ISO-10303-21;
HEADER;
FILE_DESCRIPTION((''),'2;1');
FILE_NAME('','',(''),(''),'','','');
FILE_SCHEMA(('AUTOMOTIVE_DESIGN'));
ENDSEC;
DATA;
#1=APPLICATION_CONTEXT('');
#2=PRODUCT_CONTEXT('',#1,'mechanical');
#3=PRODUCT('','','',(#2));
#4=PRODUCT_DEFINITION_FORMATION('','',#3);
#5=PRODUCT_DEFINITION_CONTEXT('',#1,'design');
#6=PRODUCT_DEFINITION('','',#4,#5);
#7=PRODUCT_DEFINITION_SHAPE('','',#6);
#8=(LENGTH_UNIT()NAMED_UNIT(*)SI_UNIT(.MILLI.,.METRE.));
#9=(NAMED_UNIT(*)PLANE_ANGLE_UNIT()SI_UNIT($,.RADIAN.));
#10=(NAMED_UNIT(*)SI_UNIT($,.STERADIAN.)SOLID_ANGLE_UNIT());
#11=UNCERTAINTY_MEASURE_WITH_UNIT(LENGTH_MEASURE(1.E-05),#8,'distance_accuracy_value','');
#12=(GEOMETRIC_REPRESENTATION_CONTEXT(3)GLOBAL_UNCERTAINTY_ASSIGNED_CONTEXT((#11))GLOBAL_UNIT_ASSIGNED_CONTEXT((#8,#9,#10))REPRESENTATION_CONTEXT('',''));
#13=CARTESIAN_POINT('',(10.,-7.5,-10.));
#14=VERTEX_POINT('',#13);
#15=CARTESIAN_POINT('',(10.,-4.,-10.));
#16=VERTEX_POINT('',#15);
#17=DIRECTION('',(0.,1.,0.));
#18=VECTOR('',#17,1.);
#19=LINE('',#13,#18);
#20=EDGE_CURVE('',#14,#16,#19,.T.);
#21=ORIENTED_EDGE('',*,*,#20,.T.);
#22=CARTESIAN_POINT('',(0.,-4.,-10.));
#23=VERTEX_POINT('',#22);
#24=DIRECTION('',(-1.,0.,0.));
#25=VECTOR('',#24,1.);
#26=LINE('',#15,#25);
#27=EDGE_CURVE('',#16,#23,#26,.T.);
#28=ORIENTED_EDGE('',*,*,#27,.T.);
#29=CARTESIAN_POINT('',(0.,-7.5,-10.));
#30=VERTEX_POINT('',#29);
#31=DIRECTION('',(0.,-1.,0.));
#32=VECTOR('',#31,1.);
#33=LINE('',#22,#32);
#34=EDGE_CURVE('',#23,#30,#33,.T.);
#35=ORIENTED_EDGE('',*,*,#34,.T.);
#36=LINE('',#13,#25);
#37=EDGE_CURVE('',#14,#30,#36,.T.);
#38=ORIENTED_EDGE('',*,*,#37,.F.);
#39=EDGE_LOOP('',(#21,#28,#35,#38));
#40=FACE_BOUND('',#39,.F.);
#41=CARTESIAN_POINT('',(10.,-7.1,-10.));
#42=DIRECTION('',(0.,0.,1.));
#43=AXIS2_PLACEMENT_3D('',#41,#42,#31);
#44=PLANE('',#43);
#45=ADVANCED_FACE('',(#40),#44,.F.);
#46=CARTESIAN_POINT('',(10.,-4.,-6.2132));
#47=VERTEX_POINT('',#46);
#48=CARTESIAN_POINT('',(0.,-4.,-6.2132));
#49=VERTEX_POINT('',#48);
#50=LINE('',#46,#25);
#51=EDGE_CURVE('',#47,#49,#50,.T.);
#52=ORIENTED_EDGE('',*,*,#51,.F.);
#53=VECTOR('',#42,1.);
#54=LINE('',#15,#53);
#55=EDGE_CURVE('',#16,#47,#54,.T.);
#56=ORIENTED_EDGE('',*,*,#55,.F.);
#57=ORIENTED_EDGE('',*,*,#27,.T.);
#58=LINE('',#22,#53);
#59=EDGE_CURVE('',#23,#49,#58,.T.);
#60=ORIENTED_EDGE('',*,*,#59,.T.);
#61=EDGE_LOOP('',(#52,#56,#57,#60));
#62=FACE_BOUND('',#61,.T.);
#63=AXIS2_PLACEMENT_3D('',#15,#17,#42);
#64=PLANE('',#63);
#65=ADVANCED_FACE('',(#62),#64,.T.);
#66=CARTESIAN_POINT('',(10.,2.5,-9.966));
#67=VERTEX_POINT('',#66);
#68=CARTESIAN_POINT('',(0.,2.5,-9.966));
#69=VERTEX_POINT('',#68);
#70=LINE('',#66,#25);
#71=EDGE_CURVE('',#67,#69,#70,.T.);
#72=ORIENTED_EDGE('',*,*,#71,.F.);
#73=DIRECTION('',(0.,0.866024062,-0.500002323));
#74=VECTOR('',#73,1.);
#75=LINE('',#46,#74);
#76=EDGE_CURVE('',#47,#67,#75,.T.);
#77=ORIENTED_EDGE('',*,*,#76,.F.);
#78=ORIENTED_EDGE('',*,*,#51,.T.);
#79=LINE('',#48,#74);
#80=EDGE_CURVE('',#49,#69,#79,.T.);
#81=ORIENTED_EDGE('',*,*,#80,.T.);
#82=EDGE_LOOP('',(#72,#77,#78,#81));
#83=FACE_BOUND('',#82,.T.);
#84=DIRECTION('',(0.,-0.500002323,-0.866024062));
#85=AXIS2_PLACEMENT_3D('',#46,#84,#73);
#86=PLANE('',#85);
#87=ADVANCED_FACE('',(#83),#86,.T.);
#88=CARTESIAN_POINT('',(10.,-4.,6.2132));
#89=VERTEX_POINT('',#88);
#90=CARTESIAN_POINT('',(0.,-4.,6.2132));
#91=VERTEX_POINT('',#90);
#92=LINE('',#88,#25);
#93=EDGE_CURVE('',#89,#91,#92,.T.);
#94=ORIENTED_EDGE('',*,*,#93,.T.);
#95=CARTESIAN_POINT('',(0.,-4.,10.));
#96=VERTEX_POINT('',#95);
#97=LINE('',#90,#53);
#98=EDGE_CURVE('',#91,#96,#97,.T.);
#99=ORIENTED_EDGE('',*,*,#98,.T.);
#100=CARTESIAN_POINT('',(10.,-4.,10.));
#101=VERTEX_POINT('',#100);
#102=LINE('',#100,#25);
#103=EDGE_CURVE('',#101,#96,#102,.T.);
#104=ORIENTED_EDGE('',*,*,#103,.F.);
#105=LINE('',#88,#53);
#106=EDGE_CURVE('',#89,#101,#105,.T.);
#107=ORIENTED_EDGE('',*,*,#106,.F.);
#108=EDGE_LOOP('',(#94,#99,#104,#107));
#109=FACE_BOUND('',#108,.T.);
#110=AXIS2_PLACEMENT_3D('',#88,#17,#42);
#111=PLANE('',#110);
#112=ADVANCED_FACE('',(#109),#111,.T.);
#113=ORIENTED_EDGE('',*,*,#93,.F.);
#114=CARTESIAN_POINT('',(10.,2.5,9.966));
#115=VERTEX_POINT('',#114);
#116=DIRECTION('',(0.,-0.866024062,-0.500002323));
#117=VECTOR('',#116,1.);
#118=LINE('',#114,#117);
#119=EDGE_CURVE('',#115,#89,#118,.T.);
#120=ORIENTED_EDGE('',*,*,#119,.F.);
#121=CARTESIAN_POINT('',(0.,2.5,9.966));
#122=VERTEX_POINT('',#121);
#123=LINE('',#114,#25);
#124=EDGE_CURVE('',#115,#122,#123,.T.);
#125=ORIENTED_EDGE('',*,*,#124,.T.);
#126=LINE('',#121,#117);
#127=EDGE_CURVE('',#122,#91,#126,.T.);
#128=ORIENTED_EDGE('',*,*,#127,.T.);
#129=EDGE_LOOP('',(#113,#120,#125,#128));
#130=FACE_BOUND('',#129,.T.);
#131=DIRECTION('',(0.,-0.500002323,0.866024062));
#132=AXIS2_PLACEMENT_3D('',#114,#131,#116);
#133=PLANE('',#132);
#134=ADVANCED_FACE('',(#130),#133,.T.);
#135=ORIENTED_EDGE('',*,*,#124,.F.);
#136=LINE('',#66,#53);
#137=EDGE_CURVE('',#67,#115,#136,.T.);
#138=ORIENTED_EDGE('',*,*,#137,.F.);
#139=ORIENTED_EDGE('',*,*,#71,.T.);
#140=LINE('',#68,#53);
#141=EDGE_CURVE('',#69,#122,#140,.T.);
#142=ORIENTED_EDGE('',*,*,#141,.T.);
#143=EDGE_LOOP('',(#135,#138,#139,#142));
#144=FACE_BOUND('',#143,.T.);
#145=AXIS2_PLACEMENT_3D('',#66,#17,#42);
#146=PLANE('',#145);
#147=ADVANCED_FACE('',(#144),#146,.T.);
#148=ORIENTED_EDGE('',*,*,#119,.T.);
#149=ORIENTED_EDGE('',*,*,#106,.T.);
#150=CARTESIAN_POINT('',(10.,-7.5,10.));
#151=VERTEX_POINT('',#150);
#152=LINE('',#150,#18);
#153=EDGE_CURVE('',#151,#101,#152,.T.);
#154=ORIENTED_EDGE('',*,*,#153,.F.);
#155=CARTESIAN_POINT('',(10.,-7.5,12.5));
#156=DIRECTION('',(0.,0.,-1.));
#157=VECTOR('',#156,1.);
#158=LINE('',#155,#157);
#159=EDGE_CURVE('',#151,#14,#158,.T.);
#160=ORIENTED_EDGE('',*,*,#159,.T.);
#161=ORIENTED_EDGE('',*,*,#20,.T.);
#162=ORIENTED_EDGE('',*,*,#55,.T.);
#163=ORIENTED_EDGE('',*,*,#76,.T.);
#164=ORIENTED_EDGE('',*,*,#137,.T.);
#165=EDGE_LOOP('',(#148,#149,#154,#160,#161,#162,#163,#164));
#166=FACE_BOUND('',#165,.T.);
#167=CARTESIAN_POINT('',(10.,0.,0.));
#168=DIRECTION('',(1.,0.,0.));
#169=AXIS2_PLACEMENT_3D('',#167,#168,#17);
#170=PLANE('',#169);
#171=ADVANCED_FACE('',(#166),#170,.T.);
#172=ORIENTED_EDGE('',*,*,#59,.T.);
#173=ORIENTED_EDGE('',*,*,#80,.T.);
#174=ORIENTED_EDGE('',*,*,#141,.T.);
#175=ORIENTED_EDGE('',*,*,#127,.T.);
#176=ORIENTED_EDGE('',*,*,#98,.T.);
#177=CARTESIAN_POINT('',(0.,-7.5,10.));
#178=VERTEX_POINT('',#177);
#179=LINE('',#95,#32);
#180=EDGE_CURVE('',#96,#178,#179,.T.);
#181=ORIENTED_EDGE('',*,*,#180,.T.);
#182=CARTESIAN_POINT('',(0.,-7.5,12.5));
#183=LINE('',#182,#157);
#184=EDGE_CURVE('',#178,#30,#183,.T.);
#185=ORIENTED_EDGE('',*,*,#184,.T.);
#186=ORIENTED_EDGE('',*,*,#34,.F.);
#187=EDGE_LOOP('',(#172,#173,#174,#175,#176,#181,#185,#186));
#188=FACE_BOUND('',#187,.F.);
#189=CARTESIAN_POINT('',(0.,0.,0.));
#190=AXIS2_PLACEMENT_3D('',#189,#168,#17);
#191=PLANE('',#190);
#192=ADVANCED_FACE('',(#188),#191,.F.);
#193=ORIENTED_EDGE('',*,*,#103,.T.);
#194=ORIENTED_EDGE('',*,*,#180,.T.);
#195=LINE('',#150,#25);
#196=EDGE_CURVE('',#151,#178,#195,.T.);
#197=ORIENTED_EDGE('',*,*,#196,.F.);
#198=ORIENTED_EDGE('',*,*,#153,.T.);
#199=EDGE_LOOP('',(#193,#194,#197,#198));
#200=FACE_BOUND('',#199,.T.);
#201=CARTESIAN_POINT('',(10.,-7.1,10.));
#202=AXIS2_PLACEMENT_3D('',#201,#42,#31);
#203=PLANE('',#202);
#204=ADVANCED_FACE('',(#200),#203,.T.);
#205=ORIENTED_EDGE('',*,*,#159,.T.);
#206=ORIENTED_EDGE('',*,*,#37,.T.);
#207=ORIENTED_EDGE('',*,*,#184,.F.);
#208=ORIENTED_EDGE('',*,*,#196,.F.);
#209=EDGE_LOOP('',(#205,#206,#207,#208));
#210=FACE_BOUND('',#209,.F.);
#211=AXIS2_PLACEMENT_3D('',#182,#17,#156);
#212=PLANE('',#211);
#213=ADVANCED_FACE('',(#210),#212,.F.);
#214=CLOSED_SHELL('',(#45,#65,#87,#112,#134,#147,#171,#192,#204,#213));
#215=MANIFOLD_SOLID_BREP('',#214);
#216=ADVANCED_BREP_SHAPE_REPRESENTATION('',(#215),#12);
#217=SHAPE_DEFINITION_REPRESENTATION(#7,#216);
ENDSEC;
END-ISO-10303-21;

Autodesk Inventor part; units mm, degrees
ref_plane "YZ Plane" through (0, 0, 0) normal (1, 0, 0) x (0, 1, 0)
ref_plane "XZ Plane" through (0, 0, 0) normal (0, 1, 0) x (-1, 0, 0)
ref_plane "XY Plane" through (0, 0, 0) normal (0, 0, 1) x (1, 0, 0)
sketch "Sketch1" plane through (0, 0, 0) normal (1, 0, 0) x (0, 1, 0)
  line L0 (-7.5, -12.5) -> (7.5, -12.5)
  line L1 (7.5, -12.5) -> (7.5, 12.5)
  line L2 (7.5, 12.5) -> (-7.5, 12.5)
  line L3 (-7.5, 12.5) -> (-7.5, -12.5)
  line L4 (-7.5, -12.5) -> (7.5, 12.5) construction
  line L5 (7.5, -12.5) -> (-7.5, 12.5) construction
  point P0 (0, 0)
  dimension "d0" = 25
  dimension "d1" = 15
extrude "Extrusion1" add sketch "Sketch1" along normal blind 10
sketch "Sketch2" plane through (10, 0, 0) normal (1, 0, 0) x (0, 0, -1)
  line L0 (10, -7.5) -> (22, -7.5) projected
  line L1 (22, 12.5) -> (22, -7.5) projected
  line L2 (-35, 12.5) -> (22, 12.5) projected
  line L3 (-35, 12.5) -> (-35, 59.5) projected
  line L4 (-45, 59.5) -> (-35, 59.5) projected
  line L5 (-45, 59.5) -> (-45, -7.5) projected
  line L6 (-45, -7.5) -> (-10, -7.5) projected
  line L7 (-9.5, -7.5) -> (9.5, -7.5)
  line L8 (-10, -7.1) -> (-44.6, -7.1)
  line L9 (-44.6, -7.1) -> (-44.6, 59.1)
  line L10 (-44.6, 59.1) -> (-35.4, 59.1)
  line L11 (-35.4, 59.1) -> (-35.4, 12.1)
  line L12 (-35.4, 12.1) -> (21.6, 12.1)
  line L13 (21.6, 12.1) -> (21.6, -7.1)
  line L14 (21.6, -7.1) -> (10, -7.1)
  line L15 (10, -7.1) -> (10, -4)
  line L16 (10, -4) -> (6.2132, -4)
  line L17 (6.2132, -4) -> (9.966, 2.5)
  line L18 (9.966, 2.5) -> (-9.966, 2.5)
  line L19 (-9.966, 2.5) -> (-6.2132, -4)
  line L20 (-6.2132, -4) -> (-10, -4)
  line L21 (-10, -4) -> (-10, -7.1)
  line L22 (-10, -7.1) -> (-10, -7.5)
  line L23 (-12.5, -7.5) -> (12.5, -7.5) projected
  line L24 (10, -7.1) -> (10, -7.5)
  line L25 (-12.5, -7.5) -> (12.5, -7.5) projected
  circle A0 centre (-23.999, -0.85) radius 1.5 projected
  line L26 (-10, -7.5) -> (-10, -4) projected
  line L27 (-10, -4) -> (-6.2132, -4) projected
  line L28 (-6.2132, -4) -> (-9.966, 2.5) projected
  line L29 (-9.966, 2.5) -> (9.966, 2.5) projected
  line L30 (9.966, 2.5) -> (6.2132, -4) projected
  line L31 (6.2132, -4) -> (10, -4) projected
  line L32 (10, -4) -> (10, -7.5) projected
  point P0 (0, 0)
extrude "Extrusion2" cut sketch "Sketch2" against normal blind 10 contours L24 L14 L13 L12 L11 L10 L9 L8 L22 L6 L5 L4 L3 L2 L1 L0 | L15 L16 L17 L18 L19 L20 L21 L8 L9 L10 L11 L12 L13 L14 | A0
properties part number "tester"
